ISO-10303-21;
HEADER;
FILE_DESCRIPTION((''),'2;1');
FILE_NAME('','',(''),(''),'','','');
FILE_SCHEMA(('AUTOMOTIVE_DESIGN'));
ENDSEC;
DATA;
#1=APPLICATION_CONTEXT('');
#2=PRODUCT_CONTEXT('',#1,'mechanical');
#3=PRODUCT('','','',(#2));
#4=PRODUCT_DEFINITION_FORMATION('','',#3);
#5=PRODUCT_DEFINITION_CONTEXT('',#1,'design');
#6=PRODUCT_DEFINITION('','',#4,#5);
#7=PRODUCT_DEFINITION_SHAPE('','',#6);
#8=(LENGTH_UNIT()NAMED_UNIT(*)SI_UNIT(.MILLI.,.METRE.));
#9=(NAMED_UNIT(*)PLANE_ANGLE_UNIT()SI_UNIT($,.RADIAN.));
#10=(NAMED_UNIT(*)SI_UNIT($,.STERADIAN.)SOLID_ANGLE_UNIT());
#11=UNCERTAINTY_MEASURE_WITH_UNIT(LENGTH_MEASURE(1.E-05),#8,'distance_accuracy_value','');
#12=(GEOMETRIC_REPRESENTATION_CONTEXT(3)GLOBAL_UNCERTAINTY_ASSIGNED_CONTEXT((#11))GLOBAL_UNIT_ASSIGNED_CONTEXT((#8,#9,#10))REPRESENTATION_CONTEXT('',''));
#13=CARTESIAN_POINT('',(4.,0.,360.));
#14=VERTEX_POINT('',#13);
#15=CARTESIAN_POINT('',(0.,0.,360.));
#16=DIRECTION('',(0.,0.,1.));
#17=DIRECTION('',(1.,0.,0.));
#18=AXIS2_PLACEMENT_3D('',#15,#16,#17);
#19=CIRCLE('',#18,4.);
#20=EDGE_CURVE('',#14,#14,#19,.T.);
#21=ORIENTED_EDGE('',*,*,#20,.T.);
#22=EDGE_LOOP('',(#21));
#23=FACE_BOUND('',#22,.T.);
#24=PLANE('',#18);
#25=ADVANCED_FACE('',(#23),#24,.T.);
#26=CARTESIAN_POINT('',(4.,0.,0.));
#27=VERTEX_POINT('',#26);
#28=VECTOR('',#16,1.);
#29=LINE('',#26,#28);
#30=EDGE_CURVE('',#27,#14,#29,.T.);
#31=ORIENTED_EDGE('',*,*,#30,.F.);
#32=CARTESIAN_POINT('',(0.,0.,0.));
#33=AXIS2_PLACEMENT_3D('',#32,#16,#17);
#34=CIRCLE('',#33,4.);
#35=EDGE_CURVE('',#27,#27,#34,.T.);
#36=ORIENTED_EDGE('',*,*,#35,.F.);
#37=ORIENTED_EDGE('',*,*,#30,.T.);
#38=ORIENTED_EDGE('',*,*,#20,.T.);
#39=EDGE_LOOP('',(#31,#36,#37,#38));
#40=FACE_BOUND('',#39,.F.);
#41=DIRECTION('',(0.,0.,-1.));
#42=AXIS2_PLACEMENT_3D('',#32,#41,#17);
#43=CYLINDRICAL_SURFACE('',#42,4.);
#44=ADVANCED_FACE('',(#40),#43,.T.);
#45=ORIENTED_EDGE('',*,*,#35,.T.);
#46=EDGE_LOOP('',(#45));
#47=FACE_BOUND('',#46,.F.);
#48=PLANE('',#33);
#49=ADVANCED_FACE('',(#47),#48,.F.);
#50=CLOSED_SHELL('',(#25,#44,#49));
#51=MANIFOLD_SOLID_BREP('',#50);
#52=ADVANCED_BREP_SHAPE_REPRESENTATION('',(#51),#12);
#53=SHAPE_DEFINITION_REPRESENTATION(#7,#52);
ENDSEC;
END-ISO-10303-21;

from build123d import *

# Parameters (mm, degrees)
SKETCH_R  = 4
PAD_DEPTH = 360


with BuildPart() as part:
    # Sketch → Pad (new body)
    with BuildSketch(Plane.XY):
        Circle(SKETCH_R)
    extrude(amount=PAD_DEPTH)


solid = part.part
